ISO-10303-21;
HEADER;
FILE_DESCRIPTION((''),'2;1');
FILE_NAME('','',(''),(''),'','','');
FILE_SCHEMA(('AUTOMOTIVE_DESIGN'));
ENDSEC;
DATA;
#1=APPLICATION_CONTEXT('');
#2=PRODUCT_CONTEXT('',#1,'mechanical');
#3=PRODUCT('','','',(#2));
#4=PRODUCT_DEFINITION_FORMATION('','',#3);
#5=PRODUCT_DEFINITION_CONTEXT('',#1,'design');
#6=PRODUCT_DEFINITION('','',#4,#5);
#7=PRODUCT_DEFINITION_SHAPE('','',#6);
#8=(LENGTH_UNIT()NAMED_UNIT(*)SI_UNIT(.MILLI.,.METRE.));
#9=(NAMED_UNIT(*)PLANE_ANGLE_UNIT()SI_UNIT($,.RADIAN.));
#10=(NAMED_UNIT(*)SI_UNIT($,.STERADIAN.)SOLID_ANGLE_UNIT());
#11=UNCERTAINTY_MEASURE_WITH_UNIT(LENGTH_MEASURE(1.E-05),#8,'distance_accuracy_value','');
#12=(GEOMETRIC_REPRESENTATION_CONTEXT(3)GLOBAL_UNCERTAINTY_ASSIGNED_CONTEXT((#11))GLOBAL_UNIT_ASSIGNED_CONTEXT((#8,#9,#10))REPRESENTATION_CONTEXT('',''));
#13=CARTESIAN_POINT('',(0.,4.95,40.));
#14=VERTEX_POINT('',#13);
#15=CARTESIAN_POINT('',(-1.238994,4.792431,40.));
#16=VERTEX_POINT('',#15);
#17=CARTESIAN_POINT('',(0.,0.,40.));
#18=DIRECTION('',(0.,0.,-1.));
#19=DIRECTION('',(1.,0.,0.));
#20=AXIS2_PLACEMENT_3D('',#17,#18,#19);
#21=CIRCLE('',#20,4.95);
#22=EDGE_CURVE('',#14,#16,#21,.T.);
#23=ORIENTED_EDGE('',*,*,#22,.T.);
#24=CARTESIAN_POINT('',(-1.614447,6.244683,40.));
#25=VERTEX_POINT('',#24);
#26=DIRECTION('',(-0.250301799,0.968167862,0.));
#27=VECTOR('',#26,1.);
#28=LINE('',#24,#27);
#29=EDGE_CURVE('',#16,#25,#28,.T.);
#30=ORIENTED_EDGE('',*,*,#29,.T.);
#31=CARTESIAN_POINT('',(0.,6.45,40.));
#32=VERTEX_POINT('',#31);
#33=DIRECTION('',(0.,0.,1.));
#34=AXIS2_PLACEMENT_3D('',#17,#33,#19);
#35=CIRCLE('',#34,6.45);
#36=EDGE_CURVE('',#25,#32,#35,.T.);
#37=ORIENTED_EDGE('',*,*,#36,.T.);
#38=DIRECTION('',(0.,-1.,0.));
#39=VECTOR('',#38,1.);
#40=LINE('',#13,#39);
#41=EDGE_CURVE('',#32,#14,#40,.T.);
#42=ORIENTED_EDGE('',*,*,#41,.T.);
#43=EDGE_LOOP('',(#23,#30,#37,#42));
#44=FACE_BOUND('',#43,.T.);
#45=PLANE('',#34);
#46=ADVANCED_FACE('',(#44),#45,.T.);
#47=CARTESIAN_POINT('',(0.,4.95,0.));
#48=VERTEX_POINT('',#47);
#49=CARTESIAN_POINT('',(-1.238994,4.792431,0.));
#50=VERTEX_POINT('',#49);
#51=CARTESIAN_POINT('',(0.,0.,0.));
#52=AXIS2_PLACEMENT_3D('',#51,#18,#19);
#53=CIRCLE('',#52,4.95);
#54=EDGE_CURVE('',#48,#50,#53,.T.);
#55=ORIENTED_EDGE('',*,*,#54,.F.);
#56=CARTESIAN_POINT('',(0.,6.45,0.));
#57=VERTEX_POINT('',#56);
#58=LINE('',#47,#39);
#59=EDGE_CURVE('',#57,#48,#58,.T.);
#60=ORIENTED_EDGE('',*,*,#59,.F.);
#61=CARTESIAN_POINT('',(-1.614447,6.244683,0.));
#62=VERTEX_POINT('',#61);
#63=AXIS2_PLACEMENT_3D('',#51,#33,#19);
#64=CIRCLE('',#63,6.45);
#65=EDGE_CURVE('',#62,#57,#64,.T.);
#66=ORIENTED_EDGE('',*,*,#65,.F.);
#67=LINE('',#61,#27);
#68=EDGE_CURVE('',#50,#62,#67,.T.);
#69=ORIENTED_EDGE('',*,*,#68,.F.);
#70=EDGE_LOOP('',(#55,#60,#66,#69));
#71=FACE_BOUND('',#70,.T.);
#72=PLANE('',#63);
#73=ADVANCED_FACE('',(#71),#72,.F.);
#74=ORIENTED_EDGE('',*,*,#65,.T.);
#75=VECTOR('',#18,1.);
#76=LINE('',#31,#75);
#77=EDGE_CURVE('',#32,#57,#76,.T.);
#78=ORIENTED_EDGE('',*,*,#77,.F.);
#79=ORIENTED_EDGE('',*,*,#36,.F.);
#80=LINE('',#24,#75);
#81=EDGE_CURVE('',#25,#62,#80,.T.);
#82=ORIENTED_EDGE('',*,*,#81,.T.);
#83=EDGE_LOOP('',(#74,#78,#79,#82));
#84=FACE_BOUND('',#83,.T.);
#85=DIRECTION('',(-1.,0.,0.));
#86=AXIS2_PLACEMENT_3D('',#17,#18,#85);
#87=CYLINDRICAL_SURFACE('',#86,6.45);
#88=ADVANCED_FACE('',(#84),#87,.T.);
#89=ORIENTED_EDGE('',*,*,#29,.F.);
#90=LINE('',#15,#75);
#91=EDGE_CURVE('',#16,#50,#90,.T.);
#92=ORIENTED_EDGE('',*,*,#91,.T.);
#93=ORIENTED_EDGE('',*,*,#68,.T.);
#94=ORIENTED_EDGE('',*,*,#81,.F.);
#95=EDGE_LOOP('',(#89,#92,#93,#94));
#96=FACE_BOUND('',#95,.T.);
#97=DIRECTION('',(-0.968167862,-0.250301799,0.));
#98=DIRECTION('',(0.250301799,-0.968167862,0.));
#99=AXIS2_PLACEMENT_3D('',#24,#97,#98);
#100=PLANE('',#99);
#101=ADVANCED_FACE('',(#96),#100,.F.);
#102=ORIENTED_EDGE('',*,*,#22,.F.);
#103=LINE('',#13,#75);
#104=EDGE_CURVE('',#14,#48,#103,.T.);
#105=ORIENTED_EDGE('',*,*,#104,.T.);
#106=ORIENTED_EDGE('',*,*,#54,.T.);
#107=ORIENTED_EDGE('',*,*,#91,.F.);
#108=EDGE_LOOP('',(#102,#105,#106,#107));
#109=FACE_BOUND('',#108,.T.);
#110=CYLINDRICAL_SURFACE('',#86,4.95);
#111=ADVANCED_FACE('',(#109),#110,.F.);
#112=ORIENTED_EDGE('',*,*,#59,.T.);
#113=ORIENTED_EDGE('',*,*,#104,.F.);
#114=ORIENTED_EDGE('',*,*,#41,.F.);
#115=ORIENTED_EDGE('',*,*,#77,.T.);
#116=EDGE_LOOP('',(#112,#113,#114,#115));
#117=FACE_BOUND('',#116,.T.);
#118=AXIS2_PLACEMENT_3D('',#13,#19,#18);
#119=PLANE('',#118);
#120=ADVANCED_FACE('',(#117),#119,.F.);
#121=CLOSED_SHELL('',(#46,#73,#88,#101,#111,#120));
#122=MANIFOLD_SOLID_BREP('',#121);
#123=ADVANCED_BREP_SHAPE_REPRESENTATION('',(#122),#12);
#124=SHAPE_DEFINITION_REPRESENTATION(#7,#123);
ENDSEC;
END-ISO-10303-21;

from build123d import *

# Parameters (mm, degrees)
BOSS_EXTRU_1_DEPTH = 40


with BuildPart() as part:
    # Esquisse1 → Boss.-Extru.1 (new body)
    with BuildSketch(Plane.XY):
        with BuildLine():
            Line((-1.614446605, 6.244682711), (-1.238993906, 4.792430918))
            ThreePointArc((-1.238993906, 4.792430918), (0.624486572, -4.910449727), (0, 4.95))
            Line((0, 4.95), (0, 6.45))
            ThreePointArc((0, 6.45), (0.813724927, -6.398464796), (-1.614446605, 6.244682711))
        make_face()
    extrude(amount=BOSS_EXTRU_1_DEPTH)


solid = part.part
